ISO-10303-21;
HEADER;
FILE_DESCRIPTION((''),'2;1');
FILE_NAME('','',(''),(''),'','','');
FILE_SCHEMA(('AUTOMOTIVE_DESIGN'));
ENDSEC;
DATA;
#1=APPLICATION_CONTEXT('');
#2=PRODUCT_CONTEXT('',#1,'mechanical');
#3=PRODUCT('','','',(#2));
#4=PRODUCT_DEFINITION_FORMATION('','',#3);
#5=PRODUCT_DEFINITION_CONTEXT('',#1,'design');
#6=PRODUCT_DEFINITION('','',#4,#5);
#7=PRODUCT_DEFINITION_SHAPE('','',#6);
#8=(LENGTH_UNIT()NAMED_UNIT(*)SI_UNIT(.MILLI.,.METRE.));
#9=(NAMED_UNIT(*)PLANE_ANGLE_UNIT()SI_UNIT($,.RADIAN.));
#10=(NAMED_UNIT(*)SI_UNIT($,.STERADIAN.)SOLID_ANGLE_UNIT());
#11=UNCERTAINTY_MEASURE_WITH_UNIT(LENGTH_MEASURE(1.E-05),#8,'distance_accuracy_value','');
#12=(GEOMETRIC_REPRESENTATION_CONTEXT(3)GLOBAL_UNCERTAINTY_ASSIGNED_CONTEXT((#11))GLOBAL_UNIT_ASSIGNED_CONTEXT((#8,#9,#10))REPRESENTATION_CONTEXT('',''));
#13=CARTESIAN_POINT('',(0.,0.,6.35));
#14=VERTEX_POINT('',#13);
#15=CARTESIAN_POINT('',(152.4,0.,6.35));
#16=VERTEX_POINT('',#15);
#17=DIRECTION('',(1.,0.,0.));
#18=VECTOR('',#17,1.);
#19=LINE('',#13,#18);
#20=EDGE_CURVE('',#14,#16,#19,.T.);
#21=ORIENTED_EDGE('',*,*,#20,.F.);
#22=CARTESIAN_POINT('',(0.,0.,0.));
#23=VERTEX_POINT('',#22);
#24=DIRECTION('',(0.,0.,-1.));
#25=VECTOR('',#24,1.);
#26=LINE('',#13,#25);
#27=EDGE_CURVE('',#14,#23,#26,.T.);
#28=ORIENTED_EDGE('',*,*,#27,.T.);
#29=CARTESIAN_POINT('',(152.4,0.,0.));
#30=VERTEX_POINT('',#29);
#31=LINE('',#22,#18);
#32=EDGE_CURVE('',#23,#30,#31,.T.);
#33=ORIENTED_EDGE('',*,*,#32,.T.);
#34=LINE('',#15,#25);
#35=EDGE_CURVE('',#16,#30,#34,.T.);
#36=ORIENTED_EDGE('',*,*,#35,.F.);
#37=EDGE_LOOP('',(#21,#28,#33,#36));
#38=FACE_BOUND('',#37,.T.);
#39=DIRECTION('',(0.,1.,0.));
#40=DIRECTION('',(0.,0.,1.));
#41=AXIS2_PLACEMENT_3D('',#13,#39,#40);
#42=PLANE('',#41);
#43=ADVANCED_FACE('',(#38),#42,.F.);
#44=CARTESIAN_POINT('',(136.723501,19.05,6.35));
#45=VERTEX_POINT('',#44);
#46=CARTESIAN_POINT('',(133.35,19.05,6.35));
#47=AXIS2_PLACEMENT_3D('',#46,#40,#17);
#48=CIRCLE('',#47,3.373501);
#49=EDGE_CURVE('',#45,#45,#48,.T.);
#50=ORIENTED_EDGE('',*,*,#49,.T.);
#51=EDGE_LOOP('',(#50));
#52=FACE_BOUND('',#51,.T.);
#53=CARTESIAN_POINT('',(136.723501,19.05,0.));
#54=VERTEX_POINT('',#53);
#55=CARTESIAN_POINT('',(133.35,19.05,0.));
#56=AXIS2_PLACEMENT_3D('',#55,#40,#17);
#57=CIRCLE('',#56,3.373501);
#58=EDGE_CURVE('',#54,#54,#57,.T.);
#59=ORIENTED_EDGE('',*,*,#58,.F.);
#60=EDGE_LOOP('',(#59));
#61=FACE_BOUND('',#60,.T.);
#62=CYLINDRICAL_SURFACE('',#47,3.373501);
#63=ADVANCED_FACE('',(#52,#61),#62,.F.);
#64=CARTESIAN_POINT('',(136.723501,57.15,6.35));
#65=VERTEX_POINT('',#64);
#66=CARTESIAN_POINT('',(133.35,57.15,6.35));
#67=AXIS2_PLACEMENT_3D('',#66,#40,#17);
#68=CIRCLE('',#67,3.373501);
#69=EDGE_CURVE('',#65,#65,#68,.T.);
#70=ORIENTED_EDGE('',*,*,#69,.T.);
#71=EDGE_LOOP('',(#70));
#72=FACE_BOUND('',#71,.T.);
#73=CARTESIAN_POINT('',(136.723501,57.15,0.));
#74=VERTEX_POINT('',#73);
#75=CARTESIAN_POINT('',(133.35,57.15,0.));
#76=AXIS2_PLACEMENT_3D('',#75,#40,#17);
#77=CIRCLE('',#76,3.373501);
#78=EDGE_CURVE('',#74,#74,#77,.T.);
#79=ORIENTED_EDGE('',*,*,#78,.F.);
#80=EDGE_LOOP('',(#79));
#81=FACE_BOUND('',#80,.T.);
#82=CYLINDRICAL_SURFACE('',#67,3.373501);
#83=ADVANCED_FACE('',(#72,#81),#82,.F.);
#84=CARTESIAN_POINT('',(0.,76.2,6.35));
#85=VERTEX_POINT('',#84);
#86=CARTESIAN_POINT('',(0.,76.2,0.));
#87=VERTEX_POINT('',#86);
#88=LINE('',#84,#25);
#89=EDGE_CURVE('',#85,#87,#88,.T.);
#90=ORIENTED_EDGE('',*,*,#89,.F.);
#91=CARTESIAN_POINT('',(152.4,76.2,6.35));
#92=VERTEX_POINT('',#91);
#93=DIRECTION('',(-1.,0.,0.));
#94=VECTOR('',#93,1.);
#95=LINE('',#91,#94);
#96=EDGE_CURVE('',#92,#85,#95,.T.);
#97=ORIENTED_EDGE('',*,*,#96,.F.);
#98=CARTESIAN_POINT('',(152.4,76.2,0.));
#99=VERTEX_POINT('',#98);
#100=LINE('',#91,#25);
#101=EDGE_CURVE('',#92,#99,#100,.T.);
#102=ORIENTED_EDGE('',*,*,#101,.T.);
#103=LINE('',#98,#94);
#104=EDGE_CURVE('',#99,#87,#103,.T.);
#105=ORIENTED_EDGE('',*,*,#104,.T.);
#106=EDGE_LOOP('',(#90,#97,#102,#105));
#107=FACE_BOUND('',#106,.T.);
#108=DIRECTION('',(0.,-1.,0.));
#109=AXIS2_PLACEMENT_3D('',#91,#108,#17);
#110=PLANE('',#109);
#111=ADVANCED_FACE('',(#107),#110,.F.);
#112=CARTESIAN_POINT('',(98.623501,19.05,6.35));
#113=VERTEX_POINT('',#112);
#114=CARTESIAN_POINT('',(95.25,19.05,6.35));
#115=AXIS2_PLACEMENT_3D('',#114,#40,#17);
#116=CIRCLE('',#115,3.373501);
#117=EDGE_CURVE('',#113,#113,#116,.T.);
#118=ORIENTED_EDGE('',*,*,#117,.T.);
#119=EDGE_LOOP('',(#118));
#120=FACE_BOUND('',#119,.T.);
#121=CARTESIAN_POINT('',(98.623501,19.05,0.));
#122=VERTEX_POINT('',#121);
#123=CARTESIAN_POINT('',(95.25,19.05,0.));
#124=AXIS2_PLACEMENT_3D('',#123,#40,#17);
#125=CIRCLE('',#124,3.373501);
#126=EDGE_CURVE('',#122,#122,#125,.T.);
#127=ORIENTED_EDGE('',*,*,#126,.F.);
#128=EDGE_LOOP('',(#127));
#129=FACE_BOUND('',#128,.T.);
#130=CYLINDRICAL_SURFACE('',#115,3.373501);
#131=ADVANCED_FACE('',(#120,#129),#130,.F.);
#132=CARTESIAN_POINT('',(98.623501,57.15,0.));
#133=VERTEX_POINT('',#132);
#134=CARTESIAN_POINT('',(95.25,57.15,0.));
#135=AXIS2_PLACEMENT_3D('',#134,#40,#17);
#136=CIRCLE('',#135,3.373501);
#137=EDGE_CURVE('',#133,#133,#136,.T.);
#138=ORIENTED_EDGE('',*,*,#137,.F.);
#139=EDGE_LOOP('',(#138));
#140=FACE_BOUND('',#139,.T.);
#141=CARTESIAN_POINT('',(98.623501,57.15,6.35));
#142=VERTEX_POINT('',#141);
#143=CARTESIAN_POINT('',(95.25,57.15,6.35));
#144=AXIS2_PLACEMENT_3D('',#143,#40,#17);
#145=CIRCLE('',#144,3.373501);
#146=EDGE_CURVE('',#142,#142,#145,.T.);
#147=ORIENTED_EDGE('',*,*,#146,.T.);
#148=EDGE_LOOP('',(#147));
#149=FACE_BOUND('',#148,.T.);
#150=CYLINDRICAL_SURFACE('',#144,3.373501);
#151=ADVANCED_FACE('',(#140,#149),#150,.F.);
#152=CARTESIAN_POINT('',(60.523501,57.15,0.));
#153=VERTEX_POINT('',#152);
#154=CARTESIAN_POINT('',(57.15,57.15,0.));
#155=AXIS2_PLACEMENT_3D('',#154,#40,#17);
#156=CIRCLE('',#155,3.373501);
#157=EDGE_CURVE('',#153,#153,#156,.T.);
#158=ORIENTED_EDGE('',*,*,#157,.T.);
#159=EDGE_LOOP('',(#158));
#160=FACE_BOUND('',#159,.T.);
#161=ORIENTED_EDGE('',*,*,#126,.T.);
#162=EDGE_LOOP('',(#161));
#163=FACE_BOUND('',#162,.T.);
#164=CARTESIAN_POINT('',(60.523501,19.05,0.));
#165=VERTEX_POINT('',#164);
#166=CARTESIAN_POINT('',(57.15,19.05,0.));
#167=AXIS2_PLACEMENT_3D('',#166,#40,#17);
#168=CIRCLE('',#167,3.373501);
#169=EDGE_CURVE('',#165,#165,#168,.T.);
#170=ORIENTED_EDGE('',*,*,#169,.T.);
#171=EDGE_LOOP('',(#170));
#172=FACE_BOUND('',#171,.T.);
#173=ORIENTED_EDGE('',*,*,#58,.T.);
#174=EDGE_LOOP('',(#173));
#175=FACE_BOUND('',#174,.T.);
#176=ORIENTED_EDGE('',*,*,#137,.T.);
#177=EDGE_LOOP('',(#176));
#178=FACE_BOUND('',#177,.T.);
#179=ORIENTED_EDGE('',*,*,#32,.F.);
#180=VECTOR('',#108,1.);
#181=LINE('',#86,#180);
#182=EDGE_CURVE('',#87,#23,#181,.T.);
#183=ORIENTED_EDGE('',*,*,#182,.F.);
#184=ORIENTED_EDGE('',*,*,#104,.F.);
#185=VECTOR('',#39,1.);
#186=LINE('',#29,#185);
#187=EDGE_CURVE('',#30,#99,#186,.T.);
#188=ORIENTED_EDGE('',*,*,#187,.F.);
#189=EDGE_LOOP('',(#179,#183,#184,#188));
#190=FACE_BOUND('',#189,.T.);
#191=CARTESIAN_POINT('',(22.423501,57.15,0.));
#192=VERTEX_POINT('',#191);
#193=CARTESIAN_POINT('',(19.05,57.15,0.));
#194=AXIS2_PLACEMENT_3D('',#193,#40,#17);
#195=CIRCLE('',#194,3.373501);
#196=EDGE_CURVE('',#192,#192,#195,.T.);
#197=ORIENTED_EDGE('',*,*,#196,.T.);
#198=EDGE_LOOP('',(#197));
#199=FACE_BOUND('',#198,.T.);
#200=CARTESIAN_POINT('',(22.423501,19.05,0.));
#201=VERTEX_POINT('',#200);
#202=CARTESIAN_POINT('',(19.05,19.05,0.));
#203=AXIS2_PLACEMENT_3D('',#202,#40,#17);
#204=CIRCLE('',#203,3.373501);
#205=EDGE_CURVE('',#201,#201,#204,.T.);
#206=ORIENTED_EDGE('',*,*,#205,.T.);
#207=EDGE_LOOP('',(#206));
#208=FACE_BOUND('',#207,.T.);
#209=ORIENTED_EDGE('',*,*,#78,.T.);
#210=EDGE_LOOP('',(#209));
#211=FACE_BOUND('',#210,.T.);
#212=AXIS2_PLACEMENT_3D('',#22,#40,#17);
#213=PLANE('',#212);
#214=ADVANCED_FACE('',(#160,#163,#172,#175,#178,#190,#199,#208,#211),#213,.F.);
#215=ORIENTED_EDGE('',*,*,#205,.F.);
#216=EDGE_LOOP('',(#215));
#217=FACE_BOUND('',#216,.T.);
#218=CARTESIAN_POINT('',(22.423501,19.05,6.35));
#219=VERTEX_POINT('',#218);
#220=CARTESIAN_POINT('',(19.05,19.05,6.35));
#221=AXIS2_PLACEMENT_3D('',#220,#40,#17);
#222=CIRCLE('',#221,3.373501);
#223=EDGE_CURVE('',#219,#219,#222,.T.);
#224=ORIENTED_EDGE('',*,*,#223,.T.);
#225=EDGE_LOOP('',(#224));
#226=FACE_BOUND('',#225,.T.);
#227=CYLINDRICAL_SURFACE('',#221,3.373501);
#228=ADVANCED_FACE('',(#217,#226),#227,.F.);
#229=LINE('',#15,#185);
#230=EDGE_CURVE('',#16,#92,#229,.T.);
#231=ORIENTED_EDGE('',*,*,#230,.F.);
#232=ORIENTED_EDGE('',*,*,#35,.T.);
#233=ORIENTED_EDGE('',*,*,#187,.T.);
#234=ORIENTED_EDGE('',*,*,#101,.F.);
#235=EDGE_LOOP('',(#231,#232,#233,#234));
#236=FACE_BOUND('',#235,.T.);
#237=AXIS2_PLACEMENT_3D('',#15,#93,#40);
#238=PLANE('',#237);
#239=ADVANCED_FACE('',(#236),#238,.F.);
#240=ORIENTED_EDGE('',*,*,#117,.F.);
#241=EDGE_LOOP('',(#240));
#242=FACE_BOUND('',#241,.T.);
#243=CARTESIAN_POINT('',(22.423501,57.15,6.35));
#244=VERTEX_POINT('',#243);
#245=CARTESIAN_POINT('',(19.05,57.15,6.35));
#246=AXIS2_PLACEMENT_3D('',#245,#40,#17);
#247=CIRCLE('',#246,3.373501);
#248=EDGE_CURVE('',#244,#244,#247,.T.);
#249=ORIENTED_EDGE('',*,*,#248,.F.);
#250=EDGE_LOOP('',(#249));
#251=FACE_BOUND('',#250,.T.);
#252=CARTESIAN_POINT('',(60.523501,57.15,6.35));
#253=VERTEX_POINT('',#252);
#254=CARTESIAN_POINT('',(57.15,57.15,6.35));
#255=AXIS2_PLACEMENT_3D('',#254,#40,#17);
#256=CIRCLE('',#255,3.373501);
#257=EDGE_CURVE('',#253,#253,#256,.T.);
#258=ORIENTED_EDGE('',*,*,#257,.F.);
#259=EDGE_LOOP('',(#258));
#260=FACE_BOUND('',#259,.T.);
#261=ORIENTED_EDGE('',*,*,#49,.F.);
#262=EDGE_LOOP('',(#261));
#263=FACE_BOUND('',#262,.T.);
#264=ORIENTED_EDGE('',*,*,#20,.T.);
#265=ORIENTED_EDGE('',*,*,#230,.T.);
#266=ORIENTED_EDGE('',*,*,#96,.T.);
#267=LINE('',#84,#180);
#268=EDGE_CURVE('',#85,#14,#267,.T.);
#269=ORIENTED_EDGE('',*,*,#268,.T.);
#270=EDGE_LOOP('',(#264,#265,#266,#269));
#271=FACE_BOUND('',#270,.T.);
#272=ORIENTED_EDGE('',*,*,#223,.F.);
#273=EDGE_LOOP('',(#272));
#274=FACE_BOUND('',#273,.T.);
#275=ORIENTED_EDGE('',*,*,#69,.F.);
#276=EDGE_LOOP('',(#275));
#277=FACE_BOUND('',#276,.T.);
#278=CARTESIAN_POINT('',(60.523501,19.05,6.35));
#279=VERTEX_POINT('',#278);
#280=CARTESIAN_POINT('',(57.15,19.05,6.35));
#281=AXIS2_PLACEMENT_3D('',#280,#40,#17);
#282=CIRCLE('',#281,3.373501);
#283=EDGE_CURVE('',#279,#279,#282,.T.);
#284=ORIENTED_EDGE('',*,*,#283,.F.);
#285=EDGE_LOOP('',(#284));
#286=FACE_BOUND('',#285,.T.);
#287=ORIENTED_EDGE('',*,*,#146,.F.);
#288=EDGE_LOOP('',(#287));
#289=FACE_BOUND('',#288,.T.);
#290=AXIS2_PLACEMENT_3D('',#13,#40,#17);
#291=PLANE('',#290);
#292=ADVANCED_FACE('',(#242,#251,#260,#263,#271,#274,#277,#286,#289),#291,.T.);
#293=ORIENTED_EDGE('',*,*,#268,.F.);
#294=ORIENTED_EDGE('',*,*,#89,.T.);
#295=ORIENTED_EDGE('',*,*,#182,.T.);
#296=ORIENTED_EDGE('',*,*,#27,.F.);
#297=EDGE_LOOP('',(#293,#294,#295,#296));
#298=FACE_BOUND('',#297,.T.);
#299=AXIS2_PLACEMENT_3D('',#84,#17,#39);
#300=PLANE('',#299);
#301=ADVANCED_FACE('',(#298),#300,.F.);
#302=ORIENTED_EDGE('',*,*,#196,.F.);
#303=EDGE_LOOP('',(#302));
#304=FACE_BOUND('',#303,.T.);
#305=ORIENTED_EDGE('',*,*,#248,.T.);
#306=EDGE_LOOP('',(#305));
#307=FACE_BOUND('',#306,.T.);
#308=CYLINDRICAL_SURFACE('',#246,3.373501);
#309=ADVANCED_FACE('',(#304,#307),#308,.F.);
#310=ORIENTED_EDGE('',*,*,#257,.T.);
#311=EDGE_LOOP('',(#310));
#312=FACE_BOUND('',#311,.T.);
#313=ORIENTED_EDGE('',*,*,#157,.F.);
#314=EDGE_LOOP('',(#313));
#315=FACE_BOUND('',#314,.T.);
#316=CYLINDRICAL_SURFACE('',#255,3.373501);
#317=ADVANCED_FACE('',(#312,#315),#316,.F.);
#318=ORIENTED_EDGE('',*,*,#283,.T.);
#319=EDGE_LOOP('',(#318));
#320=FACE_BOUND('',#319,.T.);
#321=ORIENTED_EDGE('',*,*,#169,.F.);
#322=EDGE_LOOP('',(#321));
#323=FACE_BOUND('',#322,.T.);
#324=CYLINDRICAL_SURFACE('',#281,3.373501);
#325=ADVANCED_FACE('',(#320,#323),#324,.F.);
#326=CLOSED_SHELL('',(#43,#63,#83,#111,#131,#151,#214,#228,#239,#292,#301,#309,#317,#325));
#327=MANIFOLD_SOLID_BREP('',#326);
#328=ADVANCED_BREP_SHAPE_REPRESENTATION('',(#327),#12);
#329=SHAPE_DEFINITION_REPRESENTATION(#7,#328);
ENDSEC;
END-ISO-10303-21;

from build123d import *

# Parameters (mm, degrees)
SKETCH1_W                        = 152.4
SKETCH1_H                        = 76.2
BOSS_EXTRUDE1_DEPTH              = 6.35
F_17_64_0_26563_DIAMETER_HOLE1_D = 6.747002
LPATTERN1_COUNT                  = 4
LPATTERN1_PITCH                  = 38.1
LPATTERN1_COUNT_DIR2             = 2
LPATTERN1_PITCH_DIR2             = 38.1


with BuildPart() as part:
    # Sketch1 → Boss-Extrude1 (new body)
    with BuildSketch(Plane.XY):
        with Locations((76.2, 38.1)):
            Rectangle(SKETCH1_W, SKETCH1_H)
    extrude(amount=BOSS_EXTRUDE1_DEPTH)

    # 17/64 (0.26563) Diameter Hole1 (through all)
    with Locations(Plane.XY.offset(6.35)):
        with Locations((19.05, 19.05)):
            f_17_64_0_26563_diameter_hole1 = Hole(F_17_64_0_26563_DIAMETER_HOLE1_D / 2)

    # LPattern1: 17_64 _0.26563_ Diameter Hole1 4 × 2
    with Locations(*[(i * LPATTERN1_PITCH, j * LPATTERN1_PITCH_DIR2, 0) for i in range(LPATTERN1_COUNT) for j in range(LPATTERN1_COUNT_DIR2) if (i, j) != (0, 0)]):
        add(f_17_64_0_26563_diameter_hole1, mode=Mode.SUBTRACT)


solid = part.part
